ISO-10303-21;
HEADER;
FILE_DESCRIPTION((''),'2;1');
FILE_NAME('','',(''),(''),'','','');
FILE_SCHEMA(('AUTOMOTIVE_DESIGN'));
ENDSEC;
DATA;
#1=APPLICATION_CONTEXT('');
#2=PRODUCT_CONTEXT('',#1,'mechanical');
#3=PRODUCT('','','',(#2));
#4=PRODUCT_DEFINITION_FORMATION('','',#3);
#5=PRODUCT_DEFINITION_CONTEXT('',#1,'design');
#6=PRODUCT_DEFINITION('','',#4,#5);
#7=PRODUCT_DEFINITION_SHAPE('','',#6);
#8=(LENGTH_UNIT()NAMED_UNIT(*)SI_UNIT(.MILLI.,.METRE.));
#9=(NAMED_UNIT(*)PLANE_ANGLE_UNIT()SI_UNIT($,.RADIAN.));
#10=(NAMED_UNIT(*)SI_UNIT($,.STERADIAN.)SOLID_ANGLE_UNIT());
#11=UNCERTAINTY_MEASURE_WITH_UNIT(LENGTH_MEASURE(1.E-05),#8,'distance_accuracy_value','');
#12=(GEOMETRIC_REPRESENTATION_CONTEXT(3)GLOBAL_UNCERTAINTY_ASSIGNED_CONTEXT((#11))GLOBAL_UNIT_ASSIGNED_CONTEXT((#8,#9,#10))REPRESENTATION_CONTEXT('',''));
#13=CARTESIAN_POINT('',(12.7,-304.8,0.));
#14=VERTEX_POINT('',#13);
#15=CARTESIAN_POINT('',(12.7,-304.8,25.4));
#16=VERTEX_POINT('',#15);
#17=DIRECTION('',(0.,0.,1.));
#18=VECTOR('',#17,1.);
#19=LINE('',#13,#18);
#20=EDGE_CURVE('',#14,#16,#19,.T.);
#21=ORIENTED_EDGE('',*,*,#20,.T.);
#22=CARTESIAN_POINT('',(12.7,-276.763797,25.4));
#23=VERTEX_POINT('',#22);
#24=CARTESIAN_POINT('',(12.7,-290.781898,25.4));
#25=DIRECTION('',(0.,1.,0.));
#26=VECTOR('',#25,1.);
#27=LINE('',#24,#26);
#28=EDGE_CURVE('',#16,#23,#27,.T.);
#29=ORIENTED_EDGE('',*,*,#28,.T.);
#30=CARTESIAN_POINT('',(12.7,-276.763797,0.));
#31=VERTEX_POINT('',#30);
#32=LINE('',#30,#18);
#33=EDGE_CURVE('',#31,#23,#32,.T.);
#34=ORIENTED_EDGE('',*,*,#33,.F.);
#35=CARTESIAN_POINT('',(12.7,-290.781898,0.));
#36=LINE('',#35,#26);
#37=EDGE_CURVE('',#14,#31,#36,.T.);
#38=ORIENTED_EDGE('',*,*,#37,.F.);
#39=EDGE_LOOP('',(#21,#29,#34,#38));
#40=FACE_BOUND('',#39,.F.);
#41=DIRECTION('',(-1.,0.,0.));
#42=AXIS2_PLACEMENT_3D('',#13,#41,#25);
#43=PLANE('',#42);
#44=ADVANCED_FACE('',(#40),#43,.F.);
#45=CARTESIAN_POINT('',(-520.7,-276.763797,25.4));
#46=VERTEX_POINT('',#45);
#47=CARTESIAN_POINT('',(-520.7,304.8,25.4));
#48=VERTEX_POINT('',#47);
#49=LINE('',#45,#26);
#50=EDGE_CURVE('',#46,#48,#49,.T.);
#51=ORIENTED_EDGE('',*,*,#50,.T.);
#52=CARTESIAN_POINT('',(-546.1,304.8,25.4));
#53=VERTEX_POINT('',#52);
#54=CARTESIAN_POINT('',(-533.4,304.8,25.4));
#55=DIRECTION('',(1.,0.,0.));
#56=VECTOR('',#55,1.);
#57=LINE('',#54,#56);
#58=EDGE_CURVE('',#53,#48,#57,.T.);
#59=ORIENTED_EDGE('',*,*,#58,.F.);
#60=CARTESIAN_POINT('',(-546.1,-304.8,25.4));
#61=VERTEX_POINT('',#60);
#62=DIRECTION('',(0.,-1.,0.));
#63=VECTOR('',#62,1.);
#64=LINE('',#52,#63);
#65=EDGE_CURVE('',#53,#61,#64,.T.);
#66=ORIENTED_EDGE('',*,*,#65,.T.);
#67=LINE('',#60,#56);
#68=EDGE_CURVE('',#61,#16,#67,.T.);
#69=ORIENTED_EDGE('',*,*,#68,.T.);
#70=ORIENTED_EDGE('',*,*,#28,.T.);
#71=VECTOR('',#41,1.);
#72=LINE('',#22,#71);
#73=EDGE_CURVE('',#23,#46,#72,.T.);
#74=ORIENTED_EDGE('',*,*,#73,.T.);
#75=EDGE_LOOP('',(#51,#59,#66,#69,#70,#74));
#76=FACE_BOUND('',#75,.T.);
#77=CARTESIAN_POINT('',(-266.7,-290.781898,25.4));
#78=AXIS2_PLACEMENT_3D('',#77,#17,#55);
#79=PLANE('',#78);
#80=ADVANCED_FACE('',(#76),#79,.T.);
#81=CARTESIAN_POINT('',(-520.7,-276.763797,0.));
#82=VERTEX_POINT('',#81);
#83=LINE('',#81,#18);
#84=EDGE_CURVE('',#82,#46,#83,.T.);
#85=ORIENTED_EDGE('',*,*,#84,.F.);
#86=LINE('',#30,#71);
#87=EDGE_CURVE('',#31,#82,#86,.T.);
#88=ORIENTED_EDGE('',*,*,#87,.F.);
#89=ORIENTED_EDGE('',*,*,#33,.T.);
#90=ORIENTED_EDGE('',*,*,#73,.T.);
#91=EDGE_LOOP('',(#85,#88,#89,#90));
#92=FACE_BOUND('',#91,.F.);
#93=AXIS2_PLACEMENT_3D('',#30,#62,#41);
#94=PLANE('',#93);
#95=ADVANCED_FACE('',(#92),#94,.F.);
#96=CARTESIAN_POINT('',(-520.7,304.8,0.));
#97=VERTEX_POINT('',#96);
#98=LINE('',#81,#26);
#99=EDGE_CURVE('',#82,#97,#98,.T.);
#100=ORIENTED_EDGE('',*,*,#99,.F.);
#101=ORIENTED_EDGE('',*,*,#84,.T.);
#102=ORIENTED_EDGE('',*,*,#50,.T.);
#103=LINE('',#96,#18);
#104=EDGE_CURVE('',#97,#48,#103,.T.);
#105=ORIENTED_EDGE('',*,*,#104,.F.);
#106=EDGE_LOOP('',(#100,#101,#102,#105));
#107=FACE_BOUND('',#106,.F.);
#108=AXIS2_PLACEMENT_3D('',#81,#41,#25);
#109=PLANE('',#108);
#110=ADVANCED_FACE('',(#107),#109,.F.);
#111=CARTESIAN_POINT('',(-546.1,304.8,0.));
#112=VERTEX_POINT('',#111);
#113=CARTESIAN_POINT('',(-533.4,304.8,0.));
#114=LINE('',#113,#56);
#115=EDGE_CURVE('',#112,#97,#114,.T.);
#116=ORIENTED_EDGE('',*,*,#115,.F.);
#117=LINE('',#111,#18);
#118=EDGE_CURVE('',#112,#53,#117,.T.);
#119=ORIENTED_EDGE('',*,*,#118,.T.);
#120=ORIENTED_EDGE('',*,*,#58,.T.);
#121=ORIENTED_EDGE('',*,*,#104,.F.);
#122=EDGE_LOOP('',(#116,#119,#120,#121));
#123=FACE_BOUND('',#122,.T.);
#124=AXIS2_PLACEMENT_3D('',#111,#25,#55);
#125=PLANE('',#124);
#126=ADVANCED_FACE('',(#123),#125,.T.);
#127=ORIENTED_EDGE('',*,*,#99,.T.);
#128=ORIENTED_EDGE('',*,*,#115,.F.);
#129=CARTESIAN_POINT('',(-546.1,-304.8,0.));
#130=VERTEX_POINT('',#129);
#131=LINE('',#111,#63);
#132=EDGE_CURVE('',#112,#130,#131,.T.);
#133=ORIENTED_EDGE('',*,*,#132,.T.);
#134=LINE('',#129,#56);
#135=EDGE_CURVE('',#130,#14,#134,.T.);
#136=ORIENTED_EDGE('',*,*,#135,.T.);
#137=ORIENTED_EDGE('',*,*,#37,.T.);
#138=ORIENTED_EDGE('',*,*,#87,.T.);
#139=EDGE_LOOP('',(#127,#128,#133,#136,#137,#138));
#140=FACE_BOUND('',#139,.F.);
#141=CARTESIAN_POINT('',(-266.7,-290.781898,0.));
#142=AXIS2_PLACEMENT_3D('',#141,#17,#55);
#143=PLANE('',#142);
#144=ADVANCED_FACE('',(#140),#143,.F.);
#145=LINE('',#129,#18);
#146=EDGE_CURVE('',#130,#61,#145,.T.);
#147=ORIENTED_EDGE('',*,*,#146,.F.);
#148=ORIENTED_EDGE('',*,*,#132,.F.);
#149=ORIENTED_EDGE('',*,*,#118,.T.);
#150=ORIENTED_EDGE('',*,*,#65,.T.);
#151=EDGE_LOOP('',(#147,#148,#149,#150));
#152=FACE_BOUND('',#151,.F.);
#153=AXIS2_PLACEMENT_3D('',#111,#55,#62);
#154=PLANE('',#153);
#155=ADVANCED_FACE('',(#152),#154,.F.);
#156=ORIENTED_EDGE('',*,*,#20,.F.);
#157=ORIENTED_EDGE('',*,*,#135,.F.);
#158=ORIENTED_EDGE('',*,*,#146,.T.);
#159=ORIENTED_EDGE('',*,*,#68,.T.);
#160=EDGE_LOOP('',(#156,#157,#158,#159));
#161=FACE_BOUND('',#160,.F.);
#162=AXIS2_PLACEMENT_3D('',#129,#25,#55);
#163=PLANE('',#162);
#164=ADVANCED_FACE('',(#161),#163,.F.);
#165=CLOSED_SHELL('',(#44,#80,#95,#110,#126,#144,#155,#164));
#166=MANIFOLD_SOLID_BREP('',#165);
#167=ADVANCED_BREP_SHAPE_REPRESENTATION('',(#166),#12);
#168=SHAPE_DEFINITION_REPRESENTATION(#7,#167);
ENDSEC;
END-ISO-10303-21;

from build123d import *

# Parameters (mm, degrees)
F0_W     = 508
F0_H     = 28.0362031937
F0_W_2   = 25.4
F0_H_2   = 556.1637968063
F0_H_3   = 25.4
F1_DEPTH = 25.4


with BuildPart() as f1:
    # F0 (on Top) → F1 (new body)
    with BuildSketch(Plane.XY):
        with Locations((-266.7, -290.7818984032)):
            Rectangle(F0_W, F0_H)
        with Locations((-533.4, -290.7818984032)):
            Rectangle(F0_W_2, F0_H)
        with Locations((0, -290.7818984032)):
            Rectangle(F0_W_2, F0_H)
        with Locations((-533.4, 1.3181015968)):
            Rectangle(F0_W_2, F0_H_2)
        with Locations((-533.4, 292.1)):
            Rectangle(F0_W_2, F0_H_3)
    extrude(amount=F1_DEPTH)


solid = f1.part
